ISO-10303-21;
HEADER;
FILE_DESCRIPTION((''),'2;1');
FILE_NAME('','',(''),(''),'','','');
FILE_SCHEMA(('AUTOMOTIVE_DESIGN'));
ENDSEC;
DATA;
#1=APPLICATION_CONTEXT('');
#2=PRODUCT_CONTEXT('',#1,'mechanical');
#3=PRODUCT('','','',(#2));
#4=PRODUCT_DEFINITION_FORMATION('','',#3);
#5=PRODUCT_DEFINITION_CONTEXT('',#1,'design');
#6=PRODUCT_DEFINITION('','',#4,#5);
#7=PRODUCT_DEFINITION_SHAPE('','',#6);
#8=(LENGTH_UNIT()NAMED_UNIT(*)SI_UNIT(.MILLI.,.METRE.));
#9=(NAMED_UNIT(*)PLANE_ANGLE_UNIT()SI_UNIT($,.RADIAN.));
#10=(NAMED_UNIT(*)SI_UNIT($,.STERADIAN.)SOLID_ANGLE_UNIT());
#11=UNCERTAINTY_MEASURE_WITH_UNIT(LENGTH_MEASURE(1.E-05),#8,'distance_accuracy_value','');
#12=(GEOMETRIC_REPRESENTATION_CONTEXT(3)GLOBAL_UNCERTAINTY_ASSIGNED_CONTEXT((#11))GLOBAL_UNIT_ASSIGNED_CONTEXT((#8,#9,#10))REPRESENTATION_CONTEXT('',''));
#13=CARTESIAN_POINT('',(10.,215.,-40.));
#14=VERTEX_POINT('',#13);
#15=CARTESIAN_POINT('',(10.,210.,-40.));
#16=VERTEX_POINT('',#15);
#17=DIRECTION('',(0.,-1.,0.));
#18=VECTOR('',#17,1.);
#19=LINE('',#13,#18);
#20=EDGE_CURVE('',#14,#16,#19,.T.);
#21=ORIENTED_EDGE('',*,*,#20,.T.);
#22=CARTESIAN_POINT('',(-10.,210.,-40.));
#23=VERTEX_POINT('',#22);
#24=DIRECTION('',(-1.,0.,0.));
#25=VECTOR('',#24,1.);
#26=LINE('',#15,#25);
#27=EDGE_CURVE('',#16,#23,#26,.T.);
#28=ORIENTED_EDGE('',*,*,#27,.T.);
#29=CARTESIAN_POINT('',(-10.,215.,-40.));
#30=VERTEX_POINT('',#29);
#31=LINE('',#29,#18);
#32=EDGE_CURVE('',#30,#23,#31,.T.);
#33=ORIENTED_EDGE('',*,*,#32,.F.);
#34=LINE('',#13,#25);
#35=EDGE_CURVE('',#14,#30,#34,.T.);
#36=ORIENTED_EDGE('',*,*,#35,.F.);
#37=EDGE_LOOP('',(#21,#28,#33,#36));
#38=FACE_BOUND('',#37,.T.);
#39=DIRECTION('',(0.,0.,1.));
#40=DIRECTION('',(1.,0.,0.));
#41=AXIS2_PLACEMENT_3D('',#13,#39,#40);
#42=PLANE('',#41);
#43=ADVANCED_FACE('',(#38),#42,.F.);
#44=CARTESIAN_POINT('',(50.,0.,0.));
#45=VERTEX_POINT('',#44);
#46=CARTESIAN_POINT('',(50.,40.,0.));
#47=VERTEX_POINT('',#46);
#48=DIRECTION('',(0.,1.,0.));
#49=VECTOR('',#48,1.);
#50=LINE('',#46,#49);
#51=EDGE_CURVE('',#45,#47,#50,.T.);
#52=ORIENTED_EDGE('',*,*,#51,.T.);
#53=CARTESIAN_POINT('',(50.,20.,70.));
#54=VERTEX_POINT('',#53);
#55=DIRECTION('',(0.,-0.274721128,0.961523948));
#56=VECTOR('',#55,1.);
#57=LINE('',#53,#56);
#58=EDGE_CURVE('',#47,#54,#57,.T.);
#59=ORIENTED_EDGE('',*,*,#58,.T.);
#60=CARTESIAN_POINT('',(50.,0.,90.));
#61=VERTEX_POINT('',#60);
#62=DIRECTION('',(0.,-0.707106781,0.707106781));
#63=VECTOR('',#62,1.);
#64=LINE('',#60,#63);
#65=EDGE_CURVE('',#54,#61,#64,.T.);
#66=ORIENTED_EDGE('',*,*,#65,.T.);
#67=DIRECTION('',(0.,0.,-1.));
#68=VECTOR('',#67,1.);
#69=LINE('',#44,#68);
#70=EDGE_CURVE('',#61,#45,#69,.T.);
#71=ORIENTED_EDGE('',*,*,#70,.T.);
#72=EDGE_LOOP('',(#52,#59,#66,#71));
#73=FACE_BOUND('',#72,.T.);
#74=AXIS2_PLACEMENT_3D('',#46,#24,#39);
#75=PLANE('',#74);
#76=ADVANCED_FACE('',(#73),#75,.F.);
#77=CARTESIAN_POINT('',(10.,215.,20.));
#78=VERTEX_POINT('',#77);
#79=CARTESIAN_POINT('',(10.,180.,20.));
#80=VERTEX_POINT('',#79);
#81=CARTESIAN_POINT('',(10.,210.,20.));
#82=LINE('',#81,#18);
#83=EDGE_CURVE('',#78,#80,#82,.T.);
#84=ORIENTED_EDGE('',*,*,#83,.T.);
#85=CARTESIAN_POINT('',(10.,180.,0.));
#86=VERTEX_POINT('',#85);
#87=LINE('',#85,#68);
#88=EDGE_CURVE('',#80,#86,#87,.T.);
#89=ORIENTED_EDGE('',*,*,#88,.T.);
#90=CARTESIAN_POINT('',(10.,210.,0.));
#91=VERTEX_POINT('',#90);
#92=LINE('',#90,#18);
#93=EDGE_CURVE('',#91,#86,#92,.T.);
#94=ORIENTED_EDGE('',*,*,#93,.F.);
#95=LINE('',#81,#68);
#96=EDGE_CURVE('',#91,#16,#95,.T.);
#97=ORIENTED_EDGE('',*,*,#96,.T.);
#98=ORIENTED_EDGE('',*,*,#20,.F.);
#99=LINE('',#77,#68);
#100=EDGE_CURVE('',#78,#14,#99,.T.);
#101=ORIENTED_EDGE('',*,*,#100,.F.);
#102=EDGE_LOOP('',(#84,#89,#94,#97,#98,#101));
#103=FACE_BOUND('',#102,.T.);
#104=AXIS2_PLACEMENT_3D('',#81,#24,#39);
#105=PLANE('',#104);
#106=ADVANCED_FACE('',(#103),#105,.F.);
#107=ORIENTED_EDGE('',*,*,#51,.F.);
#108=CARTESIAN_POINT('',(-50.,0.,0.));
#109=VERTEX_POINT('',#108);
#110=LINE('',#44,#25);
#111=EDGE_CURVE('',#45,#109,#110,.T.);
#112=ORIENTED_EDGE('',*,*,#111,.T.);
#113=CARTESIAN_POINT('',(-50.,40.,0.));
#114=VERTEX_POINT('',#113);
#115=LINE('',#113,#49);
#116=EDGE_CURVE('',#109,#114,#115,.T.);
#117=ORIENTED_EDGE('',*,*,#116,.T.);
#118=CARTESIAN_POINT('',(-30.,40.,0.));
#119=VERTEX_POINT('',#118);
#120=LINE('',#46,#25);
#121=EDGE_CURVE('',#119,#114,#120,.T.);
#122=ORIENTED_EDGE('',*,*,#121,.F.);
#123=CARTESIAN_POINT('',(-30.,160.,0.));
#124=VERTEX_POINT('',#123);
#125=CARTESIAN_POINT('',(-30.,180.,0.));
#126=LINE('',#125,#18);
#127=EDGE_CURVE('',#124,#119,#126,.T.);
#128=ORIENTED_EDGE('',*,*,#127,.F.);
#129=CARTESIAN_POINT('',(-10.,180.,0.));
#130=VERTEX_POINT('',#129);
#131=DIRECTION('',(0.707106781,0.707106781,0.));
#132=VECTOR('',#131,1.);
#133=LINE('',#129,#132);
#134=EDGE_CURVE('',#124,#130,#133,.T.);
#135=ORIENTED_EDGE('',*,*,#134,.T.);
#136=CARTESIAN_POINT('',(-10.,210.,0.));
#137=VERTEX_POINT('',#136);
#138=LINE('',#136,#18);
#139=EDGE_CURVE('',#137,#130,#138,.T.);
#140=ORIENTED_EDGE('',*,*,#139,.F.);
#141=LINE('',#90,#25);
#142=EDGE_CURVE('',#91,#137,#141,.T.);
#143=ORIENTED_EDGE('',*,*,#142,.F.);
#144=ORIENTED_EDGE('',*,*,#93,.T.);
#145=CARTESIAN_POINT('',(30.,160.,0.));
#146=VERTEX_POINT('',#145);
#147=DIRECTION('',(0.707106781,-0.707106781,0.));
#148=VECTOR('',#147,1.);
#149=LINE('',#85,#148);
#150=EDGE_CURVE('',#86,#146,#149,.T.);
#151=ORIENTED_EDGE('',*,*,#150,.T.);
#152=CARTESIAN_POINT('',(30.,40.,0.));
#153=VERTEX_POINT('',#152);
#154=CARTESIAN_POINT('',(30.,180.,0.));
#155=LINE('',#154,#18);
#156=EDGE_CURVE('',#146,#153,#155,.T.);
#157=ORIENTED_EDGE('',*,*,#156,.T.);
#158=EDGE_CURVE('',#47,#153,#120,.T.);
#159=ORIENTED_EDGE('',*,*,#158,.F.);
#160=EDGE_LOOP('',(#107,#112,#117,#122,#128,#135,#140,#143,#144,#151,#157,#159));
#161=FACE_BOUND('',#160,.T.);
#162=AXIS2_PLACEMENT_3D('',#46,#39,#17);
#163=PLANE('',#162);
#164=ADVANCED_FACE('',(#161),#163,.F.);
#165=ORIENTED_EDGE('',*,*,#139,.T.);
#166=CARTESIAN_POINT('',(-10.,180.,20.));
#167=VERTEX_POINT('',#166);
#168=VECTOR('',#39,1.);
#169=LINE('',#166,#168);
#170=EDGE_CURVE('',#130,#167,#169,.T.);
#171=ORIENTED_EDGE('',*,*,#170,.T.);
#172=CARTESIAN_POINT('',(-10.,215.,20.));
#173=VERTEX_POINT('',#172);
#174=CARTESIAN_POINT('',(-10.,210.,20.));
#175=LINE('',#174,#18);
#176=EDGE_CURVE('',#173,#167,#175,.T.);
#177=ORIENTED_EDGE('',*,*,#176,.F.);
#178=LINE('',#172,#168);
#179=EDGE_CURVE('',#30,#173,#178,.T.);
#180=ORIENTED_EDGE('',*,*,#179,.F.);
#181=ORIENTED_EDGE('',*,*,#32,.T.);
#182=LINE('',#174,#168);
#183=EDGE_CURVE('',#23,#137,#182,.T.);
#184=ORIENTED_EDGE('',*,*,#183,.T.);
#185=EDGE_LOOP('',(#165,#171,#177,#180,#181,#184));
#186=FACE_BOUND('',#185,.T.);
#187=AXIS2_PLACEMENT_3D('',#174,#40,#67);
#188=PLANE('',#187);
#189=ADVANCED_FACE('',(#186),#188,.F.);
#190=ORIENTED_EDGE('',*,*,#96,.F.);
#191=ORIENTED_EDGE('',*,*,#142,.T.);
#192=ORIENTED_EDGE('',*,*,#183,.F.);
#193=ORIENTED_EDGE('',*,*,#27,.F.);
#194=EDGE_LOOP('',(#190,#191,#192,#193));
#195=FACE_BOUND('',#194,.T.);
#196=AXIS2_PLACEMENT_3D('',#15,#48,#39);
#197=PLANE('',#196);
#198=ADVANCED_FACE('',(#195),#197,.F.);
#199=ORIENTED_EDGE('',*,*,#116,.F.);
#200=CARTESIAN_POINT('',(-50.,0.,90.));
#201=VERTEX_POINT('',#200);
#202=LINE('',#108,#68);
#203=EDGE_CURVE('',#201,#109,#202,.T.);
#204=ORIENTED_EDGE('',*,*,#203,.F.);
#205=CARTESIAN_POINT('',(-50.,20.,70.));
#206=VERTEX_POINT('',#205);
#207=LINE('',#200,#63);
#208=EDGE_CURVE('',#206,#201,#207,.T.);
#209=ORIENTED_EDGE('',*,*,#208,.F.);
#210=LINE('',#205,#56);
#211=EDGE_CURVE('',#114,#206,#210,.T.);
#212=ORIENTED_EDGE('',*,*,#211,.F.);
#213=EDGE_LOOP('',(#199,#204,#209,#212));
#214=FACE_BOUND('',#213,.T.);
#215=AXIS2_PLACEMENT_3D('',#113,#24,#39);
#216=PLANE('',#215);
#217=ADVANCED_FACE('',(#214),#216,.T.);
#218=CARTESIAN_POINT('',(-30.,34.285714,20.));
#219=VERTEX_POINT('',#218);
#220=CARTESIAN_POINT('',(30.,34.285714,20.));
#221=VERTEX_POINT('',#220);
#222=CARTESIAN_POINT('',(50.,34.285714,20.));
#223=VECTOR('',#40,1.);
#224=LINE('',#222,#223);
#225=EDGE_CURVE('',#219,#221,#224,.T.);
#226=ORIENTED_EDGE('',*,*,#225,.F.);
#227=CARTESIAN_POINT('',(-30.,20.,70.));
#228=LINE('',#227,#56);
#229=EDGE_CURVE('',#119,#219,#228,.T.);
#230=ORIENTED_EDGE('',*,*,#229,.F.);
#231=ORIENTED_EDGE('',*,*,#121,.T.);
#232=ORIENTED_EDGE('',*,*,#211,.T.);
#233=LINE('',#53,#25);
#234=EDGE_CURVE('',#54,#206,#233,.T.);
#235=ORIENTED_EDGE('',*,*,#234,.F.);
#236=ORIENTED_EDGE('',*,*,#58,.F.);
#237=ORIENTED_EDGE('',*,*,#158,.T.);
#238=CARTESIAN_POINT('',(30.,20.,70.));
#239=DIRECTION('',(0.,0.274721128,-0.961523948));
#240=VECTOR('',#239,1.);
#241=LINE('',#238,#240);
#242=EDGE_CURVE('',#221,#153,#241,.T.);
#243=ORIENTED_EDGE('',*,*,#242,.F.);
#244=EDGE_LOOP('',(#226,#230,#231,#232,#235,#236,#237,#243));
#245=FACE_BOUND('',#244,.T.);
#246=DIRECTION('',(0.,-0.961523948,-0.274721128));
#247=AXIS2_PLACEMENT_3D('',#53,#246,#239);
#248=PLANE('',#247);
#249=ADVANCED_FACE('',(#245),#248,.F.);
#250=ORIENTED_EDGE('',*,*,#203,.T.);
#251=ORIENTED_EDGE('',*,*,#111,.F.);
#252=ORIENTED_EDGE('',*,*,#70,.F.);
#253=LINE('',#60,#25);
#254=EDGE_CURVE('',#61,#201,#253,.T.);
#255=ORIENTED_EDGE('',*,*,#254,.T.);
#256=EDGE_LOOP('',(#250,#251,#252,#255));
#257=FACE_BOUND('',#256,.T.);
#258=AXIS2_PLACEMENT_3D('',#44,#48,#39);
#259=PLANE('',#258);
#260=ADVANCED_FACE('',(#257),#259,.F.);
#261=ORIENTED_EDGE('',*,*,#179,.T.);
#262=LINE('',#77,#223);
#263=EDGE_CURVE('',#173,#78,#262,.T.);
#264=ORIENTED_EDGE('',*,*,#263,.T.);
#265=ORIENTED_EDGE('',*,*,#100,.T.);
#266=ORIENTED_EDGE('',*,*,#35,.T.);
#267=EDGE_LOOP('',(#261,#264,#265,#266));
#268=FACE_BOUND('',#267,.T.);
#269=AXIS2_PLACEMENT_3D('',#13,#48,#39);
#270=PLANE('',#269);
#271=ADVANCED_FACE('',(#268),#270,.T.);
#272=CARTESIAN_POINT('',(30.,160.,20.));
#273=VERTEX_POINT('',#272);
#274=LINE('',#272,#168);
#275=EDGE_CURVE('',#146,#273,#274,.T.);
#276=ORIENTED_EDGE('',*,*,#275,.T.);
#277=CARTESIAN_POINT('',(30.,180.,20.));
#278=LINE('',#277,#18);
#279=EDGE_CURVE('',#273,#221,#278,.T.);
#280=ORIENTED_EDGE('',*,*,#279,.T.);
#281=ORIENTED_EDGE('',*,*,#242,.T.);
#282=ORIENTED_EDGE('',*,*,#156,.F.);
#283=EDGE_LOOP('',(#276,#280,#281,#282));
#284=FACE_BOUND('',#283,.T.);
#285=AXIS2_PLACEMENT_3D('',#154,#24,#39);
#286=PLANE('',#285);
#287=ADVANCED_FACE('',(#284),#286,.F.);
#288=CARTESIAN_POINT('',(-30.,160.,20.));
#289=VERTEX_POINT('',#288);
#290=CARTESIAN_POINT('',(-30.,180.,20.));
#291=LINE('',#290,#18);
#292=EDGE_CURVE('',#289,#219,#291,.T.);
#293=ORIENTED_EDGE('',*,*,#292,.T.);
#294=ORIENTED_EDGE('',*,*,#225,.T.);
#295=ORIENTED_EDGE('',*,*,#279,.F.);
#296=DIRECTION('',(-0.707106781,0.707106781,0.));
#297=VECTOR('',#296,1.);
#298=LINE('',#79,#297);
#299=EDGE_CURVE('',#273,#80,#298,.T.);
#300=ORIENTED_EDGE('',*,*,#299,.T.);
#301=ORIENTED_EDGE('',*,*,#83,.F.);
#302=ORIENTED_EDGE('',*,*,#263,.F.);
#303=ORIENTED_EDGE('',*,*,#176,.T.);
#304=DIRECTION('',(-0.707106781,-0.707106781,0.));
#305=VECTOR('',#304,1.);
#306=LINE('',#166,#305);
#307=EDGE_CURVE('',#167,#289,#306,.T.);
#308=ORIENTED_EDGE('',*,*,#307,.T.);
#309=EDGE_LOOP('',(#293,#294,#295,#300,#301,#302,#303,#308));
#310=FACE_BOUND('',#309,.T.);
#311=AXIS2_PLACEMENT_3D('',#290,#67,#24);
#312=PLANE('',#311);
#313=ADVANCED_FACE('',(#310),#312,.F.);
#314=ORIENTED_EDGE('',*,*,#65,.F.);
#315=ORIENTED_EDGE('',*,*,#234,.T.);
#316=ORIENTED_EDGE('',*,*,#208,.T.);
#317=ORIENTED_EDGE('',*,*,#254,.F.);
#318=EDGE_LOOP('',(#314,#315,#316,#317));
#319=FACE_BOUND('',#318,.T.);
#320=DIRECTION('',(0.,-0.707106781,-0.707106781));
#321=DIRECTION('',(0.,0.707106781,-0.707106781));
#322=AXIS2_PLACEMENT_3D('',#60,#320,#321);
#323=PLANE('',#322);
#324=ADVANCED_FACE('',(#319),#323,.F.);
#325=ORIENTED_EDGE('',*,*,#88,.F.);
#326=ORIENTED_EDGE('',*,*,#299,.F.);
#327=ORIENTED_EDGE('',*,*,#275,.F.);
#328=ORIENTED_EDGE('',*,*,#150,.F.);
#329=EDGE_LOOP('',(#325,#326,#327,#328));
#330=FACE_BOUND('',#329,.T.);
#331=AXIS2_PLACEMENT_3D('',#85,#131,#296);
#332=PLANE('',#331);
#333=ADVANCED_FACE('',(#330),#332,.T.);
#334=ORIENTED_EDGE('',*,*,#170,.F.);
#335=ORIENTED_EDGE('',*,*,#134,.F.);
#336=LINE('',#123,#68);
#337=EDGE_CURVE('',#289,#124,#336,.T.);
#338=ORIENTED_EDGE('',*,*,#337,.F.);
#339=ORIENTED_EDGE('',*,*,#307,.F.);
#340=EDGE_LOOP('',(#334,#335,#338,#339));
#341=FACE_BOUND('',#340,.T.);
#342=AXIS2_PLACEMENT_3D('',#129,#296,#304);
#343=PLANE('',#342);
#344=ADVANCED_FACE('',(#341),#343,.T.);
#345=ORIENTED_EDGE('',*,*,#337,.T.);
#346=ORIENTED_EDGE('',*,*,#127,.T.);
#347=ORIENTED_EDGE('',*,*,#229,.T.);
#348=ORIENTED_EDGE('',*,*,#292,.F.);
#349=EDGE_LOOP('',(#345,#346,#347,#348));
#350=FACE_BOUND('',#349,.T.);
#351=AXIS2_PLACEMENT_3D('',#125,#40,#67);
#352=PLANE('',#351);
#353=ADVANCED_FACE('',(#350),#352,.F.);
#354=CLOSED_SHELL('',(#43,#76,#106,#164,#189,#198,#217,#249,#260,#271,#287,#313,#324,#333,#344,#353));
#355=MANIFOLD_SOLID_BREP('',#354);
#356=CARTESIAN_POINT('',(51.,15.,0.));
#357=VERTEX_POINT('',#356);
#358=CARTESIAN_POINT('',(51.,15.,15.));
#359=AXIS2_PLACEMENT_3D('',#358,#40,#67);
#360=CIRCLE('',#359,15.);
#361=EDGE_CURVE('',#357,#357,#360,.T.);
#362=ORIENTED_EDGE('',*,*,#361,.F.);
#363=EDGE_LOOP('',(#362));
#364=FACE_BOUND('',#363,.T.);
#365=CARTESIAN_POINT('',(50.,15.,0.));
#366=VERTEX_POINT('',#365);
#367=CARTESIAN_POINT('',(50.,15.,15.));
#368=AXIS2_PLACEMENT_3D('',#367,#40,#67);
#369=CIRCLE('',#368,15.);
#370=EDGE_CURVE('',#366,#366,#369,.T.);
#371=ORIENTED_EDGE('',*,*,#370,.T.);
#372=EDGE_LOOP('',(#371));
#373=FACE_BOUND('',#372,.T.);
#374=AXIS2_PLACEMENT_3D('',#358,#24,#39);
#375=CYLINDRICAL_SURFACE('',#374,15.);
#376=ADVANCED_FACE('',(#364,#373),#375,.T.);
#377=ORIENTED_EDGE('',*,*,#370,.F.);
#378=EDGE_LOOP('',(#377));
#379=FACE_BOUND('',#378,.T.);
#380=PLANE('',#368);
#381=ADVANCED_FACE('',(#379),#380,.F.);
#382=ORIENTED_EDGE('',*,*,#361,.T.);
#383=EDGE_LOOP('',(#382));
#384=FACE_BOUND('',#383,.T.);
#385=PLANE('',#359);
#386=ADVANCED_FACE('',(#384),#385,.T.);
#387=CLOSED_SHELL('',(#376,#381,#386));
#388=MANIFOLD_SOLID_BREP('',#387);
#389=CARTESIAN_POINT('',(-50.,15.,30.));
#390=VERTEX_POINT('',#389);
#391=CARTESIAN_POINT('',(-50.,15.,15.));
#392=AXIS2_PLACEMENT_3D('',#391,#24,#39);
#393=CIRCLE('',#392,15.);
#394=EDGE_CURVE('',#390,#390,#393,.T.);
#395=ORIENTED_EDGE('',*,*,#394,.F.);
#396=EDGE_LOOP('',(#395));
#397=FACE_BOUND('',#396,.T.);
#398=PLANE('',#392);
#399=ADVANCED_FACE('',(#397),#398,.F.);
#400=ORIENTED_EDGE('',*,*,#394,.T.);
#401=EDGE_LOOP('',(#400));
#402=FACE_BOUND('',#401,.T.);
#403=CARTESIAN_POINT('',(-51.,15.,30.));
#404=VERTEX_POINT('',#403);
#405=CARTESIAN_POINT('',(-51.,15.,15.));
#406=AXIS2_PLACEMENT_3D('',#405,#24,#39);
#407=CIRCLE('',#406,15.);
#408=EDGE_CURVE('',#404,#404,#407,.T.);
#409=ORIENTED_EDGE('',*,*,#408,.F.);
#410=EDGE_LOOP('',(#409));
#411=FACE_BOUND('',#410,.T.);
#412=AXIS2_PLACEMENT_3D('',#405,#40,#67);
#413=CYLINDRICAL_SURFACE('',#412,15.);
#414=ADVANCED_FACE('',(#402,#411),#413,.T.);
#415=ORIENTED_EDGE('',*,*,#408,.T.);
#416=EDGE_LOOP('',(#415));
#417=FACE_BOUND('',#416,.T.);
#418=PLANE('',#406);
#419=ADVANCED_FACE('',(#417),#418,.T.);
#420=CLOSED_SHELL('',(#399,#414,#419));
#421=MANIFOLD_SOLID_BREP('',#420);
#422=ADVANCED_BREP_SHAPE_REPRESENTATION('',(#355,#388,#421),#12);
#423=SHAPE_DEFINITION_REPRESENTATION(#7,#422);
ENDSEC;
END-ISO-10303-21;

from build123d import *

# Parameters (mm, degrees)
EXTRUDE1_DEPTH = 50
SKETCH2_R      = 15
EXTRUDE2_DEPTH = 1
SKETCH3_R      = 15
EXTRUDE3_DEPTH = 1
SKETCH4_W      = 60
SKETCH4_H      = 20
EXTRUDE4_DEPTH = 180
CHAMFER1_SIZE  = 20
SKETCH5_W      = 20
SKETCH5_H      = 20
EXTRUDE5_DEPTH = 30
SKETCH6_W      = 20
SKETCH6_H      = 60
EXTRUDE6_DEPTH = 5


with BuildPart() as part:
    # Sketch1 → Extrude1 (new body, symmetric)
    with BuildSketch(Plane(origin=(0, 0, 0), x_dir=(0, 0, -1), z_dir=(1, 0, 0))):
        Polygon((0, 40), (0, 0), (-90, 0), (-70, 20), align=None)
    extrude(amount=EXTRUDE1_DEPTH, both=True)

    # Sketch4 → Extrude4 (add)
    with BuildSketch(Plane(origin=(0, 0, 0), x_dir=(1, 0, 0), z_dir=(0, 1, 0))):
        with Locations((0, -10)):
            Rectangle(SKETCH4_W, SKETCH4_H)
    extrude(amount=EXTRUDE4_DEPTH)

    # Chamfer1
    chamfer1_edges = [part.edges().sort_by_distance(p)[0] for p in [
        (-30, 180, 10),
        (30, 180, 10),
    ]]
    chamfer(chamfer1_edges, length=CHAMFER1_SIZE)

    # Sketch5 → Extrude5 (add)
    with BuildSketch(Plane(origin=(0, 180, 0), x_dir=(-1, 0, 0), z_dir=(0, 1, 0))):
        with Locations((0, 10)):
            Rectangle(SKETCH5_W, SKETCH5_H)
    extrude(amount=EXTRUDE5_DEPTH)

    # Sketch6 → Extrude6 (add)
    with BuildSketch(Plane(origin=(0, 210, 0), x_dir=(-1, 0, 0), z_dir=(0, 1, 0))):
        with Locations((0, -10)):
            Rectangle(SKETCH6_W, SKETCH6_H)
    extrude(amount=EXTRUDE6_DEPTH)


with BuildPart() as body_2:
    # Sketch2 → Extrude2 (new body)
    with BuildSketch(Plane(origin=(50, 0, 0), x_dir=(0, 0, -1), z_dir=(1, 0, 0))):
        with Locations((-15, 15)):
            Circle(SKETCH2_R)
    extrude(amount=EXTRUDE2_DEPTH)


with BuildPart() as body_3:
    # Sketch3 → Extrude3 (new body)
    with BuildSketch(Plane.ZY.offset(50)):
        with Locations((15, 15)):
            Circle(SKETCH3_R)
    extrude(amount=EXTRUDE3_DEPTH)


solid = Compound([part.part, body_2.part, body_3.part])
